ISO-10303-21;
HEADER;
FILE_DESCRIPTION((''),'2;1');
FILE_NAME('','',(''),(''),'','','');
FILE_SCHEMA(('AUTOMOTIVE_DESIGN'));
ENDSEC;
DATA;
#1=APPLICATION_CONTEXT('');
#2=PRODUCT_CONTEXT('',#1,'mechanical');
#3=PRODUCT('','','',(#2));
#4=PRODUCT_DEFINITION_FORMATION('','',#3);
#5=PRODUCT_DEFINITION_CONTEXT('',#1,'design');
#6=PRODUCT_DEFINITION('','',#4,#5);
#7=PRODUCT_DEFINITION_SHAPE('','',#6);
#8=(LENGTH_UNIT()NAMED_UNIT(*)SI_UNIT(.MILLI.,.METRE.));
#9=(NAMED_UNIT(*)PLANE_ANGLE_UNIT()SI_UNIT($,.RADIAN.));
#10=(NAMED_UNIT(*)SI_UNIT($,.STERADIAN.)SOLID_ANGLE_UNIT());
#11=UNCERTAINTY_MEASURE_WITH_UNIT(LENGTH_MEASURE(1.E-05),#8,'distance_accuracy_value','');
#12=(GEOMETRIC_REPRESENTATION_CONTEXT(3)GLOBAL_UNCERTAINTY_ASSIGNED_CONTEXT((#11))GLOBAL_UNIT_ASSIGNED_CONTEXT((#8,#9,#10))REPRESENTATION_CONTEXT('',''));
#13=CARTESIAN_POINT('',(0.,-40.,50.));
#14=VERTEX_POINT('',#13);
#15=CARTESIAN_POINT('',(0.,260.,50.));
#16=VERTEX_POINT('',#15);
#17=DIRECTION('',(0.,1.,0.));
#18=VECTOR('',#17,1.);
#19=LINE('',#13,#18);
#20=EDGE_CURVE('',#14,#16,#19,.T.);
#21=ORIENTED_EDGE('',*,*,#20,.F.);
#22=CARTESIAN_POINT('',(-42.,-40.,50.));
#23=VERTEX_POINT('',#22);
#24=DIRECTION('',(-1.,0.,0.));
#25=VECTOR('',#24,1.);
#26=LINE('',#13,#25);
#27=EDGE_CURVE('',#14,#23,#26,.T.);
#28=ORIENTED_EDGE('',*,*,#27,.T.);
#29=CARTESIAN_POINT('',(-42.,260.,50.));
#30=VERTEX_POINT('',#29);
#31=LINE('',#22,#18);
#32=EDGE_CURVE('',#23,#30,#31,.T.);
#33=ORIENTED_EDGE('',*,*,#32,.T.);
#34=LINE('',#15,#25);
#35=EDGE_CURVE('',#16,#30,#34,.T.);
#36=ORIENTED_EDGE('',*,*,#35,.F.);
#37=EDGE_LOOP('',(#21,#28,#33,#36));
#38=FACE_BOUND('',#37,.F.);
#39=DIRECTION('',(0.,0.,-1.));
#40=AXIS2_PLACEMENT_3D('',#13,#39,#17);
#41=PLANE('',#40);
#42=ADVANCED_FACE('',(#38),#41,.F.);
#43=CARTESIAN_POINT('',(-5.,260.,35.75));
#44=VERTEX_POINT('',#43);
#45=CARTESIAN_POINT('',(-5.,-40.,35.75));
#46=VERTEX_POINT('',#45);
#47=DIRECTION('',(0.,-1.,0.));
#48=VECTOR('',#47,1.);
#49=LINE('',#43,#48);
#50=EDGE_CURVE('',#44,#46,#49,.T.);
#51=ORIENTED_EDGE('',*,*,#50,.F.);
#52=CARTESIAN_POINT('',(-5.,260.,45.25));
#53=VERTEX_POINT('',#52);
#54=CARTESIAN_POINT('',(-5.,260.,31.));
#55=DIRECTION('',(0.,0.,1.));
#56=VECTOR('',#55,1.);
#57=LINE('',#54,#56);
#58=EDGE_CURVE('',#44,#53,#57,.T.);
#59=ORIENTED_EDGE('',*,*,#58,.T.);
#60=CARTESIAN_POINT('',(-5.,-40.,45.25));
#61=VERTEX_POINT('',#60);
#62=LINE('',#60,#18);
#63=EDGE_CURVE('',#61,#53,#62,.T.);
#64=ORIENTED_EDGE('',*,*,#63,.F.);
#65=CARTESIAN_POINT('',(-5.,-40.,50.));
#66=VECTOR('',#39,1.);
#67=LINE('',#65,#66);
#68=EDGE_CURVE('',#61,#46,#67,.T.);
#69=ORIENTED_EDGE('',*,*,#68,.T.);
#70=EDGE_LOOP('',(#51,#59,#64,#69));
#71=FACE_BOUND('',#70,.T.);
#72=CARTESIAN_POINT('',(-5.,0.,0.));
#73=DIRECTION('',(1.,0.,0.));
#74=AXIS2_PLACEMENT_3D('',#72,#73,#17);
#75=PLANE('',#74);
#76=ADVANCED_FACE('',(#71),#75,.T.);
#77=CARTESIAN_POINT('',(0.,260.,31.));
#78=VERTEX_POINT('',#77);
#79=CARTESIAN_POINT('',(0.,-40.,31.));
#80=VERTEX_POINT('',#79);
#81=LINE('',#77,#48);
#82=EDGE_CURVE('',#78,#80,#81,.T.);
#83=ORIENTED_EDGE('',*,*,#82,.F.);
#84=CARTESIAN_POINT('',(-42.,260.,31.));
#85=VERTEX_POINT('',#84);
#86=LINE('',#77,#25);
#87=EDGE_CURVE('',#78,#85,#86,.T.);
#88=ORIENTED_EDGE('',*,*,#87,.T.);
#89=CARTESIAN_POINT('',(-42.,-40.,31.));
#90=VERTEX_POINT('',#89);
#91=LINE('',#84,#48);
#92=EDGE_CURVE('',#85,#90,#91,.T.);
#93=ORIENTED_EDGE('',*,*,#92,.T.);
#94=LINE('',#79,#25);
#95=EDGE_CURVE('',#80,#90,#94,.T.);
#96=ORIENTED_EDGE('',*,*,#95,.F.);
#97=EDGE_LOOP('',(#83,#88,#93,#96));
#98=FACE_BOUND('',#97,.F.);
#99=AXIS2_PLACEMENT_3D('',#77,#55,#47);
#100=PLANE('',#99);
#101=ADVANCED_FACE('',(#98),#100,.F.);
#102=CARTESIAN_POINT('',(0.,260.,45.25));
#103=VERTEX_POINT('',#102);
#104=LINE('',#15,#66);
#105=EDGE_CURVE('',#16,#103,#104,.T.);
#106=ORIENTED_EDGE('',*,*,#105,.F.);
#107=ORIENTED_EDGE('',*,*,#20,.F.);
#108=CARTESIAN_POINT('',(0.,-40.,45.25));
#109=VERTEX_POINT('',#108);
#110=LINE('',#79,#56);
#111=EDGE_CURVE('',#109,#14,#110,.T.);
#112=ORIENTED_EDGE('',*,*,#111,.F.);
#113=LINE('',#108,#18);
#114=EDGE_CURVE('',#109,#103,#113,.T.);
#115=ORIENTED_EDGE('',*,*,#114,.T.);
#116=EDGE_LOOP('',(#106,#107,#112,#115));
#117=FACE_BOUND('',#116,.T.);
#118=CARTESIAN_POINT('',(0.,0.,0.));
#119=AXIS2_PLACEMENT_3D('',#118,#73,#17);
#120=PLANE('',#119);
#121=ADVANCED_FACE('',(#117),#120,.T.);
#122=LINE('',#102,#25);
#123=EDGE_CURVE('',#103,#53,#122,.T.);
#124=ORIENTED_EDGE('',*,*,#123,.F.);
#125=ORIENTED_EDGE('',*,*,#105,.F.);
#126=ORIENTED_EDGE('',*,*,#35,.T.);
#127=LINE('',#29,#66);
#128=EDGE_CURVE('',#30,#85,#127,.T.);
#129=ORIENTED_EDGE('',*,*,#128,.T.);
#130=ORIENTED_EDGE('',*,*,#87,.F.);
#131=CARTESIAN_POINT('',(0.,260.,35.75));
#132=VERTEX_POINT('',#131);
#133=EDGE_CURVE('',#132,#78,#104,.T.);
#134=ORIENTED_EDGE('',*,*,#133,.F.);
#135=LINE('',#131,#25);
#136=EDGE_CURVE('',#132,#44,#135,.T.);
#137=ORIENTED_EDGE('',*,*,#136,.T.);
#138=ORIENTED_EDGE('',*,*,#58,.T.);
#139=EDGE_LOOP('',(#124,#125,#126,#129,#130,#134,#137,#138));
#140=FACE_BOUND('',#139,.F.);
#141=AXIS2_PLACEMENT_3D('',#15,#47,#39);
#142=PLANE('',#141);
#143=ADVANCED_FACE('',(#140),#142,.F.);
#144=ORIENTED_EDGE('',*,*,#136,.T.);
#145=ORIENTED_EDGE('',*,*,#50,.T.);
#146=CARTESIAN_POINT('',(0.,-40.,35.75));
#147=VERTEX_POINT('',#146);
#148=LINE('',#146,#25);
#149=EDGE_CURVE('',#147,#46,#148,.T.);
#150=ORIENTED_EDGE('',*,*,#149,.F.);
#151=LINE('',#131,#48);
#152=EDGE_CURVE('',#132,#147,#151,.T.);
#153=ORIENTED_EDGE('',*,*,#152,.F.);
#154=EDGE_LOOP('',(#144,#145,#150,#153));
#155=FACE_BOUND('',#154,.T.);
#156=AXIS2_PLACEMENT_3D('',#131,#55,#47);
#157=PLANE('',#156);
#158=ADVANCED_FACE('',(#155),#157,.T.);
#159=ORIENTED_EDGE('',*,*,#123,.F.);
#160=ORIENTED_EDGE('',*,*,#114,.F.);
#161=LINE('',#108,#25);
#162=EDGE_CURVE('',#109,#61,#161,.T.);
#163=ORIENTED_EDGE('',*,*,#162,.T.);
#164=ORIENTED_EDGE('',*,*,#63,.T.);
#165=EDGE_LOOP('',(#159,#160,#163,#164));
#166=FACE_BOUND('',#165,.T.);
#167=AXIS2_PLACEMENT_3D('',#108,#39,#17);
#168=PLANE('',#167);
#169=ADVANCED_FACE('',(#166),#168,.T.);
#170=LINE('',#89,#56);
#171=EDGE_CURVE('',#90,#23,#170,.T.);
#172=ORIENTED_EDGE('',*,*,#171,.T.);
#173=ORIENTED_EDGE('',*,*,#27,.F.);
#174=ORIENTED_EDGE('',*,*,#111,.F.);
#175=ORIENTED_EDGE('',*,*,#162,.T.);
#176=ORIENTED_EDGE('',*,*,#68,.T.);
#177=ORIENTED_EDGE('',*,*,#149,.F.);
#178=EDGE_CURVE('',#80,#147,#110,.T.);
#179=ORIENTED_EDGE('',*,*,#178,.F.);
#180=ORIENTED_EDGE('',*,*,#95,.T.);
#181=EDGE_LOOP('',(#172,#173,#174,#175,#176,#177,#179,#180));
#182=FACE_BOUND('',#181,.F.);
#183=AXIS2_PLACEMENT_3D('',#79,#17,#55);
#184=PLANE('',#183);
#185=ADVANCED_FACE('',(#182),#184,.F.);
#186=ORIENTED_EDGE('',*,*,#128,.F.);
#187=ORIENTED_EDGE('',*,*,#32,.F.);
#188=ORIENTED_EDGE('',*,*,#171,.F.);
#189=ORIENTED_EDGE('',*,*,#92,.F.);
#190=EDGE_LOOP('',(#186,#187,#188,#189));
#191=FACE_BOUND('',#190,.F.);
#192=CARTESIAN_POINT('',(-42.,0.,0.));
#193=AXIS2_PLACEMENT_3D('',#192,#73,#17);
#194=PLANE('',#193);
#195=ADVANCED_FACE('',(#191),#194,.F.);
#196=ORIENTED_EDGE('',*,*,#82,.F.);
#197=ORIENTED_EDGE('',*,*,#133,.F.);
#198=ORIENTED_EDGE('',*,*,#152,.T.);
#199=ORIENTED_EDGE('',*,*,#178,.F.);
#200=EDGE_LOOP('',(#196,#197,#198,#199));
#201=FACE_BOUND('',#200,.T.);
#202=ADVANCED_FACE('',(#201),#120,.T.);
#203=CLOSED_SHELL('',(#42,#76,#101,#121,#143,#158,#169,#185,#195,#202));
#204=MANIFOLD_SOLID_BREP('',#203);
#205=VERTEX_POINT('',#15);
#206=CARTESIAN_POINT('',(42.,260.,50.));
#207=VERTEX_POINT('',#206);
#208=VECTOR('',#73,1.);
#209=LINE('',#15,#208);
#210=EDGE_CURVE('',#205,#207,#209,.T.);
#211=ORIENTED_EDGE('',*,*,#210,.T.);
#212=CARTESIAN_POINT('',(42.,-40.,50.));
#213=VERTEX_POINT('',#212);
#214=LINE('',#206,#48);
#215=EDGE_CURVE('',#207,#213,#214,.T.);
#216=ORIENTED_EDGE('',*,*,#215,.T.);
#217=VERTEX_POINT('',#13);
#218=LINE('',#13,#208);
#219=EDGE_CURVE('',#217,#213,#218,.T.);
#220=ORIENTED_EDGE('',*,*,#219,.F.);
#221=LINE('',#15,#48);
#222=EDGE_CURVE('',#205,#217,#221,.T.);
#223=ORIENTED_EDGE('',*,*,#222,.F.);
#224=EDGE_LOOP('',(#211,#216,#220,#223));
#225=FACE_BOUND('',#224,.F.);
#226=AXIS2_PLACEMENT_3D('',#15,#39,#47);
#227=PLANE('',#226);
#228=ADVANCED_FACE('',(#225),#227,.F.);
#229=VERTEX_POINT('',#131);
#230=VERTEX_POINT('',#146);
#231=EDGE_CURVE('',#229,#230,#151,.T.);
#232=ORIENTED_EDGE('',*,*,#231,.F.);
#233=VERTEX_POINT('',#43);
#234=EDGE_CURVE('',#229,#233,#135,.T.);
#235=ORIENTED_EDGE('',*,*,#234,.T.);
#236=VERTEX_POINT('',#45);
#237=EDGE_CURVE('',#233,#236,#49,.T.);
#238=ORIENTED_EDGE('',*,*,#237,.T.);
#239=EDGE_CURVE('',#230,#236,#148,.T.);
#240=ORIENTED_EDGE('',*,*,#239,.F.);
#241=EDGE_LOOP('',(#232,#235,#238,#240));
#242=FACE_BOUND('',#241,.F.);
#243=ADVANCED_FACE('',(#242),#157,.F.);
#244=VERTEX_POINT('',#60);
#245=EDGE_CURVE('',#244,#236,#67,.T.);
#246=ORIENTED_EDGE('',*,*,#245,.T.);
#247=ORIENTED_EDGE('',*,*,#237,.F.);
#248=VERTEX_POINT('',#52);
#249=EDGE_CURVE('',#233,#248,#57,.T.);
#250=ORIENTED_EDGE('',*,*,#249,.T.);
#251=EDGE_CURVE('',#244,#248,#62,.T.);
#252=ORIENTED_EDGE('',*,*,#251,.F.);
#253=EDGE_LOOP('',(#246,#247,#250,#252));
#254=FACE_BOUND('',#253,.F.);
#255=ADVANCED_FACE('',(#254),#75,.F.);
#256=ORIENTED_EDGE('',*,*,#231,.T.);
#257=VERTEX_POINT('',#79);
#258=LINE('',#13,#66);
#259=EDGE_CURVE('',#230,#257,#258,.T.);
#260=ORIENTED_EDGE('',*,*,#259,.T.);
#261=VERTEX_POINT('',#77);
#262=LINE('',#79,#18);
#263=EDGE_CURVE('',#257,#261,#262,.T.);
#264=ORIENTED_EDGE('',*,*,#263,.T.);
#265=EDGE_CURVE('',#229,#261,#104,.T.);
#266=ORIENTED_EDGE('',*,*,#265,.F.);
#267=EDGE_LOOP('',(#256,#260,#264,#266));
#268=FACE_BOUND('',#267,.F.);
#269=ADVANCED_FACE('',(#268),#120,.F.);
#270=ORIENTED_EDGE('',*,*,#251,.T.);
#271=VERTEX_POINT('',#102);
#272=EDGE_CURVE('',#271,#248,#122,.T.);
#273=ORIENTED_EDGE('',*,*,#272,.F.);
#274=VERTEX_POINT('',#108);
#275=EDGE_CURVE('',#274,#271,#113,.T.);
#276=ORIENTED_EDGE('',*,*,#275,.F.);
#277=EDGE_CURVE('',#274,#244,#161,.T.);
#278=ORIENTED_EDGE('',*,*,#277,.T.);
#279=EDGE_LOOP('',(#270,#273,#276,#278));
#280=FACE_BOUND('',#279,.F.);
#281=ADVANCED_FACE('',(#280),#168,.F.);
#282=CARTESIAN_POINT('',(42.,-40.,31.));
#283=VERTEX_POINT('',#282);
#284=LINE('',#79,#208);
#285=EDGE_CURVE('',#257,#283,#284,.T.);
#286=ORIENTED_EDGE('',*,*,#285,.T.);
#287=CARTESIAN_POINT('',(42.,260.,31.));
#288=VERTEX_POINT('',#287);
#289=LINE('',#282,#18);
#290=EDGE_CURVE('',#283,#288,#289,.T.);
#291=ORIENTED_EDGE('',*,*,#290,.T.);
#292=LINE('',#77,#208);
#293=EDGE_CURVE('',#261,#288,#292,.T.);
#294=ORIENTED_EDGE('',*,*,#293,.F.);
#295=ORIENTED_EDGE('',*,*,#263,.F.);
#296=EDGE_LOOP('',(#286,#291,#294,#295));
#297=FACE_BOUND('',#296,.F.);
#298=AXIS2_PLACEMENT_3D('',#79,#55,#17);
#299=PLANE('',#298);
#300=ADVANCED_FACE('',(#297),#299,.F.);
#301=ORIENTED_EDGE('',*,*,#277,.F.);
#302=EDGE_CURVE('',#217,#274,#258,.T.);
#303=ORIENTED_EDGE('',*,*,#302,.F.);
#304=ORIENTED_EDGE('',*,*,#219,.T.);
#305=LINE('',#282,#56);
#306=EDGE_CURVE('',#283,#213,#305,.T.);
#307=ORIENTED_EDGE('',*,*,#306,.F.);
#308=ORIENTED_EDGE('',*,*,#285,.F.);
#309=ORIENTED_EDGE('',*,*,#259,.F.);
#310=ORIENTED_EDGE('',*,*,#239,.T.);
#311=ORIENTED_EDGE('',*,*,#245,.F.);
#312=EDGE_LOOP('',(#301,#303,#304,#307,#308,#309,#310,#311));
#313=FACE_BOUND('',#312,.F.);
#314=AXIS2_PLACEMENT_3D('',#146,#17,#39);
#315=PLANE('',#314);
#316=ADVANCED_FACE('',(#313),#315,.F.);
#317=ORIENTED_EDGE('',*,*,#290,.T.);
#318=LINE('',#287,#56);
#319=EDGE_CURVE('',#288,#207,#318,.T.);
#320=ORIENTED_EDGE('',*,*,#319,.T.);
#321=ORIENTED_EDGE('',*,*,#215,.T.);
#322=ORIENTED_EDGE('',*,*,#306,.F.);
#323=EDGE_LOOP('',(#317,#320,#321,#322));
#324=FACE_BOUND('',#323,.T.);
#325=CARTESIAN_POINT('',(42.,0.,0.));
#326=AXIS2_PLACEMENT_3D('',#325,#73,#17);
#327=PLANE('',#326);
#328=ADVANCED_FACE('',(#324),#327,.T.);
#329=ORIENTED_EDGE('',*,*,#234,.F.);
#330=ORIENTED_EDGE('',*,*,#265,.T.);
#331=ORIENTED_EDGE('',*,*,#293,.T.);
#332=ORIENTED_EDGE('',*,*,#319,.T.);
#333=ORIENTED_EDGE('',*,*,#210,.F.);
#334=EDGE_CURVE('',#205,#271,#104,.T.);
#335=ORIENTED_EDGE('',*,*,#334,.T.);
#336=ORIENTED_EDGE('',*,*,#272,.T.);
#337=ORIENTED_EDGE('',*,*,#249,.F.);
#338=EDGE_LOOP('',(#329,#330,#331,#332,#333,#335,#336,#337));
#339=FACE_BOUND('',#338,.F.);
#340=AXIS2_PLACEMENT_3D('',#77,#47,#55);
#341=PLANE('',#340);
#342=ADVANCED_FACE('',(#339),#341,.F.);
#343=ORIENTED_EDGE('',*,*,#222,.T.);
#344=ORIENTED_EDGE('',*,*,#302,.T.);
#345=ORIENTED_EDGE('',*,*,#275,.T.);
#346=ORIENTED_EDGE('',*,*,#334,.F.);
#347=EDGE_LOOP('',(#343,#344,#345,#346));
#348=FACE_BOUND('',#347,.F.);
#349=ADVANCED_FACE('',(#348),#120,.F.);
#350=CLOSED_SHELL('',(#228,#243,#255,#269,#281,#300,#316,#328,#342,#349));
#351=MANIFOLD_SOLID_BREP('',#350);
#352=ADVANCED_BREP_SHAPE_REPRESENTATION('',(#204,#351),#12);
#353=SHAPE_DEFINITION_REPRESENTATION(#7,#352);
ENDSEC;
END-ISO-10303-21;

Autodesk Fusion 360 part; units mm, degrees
sketch "Base" plane through (0, 0, 0) normal (1, 0, 0) x (0, 1, 0)
  line L0 (-40, 50) -> (260, 50)
  line L1 (260, 50) -> (260, 31)
  line L2 (260, 31) -> (-40, 31)
  line L3 (-40, 31) -> (-40, 50)
  dimension "d4" = 300
  dimension "d5" = 19
extrude "Extrude1" add sketch "Base" against normal blind 42 makes body 1
copy_body "Body->Comp1" bodies 1 removing the originals makes body 2 in component "First Piece"
sketch "Cut" plane through (0, 0, 0) normal (1, 0, 0) x (0, 1, 0)
  line L0 (-40, 31) -> (260, 31)
  line L1 (260, 31) -> (260, 50)
  line L2 (260, 50) -> (-40, 50)
  line L3 (-40, 50) -> (-40, 31)
  line L4 (-40, 45.25) -> (260, 45.25)
  line L5 (260, 45.25) -> (260, 35.75)
  line L6 (260, 35.75) -> (-40, 35.75)
  line L7 (-40, 35.75) -> (-40, 45.25)
  dimension "d8" = 300
  dimension "d9" = 9.5
extrude "Extrude1'" cut sketch "Cut" against normal blind 5 contours L1 L3 L4 L5 L6 L7 bodies 2 in component "First Piece"
extrude "Extrude1''" add sketch "Cut" against normal blind 5 separate body contours L1 L3 L4 L5 L6 L7 makes body 3 in component "Second Piece"
extrude "Extrude2" add sketch "Cut" along normal blind 42 bodies 3 in component "Second Piece"
component "First Piece" placed x (1, 0, 0) y (0, 1, 0) z (0, 0, 1) at (0, 0, 0)
component "Second Piece" placed x (1, 0, 0) y (0, 1, 0) z (0, 0, 1) at (0, 0, 0)
equation "length = 300 mm"
equation "width = 42 mm"
equation "thickness = 19 mm"
equation "d4 = length"
equation "d5 = thickness"
equation "d6 = -width"
equation "d8 = length"
equation "d9 = thickness / 2"
equation "d14 = width"
